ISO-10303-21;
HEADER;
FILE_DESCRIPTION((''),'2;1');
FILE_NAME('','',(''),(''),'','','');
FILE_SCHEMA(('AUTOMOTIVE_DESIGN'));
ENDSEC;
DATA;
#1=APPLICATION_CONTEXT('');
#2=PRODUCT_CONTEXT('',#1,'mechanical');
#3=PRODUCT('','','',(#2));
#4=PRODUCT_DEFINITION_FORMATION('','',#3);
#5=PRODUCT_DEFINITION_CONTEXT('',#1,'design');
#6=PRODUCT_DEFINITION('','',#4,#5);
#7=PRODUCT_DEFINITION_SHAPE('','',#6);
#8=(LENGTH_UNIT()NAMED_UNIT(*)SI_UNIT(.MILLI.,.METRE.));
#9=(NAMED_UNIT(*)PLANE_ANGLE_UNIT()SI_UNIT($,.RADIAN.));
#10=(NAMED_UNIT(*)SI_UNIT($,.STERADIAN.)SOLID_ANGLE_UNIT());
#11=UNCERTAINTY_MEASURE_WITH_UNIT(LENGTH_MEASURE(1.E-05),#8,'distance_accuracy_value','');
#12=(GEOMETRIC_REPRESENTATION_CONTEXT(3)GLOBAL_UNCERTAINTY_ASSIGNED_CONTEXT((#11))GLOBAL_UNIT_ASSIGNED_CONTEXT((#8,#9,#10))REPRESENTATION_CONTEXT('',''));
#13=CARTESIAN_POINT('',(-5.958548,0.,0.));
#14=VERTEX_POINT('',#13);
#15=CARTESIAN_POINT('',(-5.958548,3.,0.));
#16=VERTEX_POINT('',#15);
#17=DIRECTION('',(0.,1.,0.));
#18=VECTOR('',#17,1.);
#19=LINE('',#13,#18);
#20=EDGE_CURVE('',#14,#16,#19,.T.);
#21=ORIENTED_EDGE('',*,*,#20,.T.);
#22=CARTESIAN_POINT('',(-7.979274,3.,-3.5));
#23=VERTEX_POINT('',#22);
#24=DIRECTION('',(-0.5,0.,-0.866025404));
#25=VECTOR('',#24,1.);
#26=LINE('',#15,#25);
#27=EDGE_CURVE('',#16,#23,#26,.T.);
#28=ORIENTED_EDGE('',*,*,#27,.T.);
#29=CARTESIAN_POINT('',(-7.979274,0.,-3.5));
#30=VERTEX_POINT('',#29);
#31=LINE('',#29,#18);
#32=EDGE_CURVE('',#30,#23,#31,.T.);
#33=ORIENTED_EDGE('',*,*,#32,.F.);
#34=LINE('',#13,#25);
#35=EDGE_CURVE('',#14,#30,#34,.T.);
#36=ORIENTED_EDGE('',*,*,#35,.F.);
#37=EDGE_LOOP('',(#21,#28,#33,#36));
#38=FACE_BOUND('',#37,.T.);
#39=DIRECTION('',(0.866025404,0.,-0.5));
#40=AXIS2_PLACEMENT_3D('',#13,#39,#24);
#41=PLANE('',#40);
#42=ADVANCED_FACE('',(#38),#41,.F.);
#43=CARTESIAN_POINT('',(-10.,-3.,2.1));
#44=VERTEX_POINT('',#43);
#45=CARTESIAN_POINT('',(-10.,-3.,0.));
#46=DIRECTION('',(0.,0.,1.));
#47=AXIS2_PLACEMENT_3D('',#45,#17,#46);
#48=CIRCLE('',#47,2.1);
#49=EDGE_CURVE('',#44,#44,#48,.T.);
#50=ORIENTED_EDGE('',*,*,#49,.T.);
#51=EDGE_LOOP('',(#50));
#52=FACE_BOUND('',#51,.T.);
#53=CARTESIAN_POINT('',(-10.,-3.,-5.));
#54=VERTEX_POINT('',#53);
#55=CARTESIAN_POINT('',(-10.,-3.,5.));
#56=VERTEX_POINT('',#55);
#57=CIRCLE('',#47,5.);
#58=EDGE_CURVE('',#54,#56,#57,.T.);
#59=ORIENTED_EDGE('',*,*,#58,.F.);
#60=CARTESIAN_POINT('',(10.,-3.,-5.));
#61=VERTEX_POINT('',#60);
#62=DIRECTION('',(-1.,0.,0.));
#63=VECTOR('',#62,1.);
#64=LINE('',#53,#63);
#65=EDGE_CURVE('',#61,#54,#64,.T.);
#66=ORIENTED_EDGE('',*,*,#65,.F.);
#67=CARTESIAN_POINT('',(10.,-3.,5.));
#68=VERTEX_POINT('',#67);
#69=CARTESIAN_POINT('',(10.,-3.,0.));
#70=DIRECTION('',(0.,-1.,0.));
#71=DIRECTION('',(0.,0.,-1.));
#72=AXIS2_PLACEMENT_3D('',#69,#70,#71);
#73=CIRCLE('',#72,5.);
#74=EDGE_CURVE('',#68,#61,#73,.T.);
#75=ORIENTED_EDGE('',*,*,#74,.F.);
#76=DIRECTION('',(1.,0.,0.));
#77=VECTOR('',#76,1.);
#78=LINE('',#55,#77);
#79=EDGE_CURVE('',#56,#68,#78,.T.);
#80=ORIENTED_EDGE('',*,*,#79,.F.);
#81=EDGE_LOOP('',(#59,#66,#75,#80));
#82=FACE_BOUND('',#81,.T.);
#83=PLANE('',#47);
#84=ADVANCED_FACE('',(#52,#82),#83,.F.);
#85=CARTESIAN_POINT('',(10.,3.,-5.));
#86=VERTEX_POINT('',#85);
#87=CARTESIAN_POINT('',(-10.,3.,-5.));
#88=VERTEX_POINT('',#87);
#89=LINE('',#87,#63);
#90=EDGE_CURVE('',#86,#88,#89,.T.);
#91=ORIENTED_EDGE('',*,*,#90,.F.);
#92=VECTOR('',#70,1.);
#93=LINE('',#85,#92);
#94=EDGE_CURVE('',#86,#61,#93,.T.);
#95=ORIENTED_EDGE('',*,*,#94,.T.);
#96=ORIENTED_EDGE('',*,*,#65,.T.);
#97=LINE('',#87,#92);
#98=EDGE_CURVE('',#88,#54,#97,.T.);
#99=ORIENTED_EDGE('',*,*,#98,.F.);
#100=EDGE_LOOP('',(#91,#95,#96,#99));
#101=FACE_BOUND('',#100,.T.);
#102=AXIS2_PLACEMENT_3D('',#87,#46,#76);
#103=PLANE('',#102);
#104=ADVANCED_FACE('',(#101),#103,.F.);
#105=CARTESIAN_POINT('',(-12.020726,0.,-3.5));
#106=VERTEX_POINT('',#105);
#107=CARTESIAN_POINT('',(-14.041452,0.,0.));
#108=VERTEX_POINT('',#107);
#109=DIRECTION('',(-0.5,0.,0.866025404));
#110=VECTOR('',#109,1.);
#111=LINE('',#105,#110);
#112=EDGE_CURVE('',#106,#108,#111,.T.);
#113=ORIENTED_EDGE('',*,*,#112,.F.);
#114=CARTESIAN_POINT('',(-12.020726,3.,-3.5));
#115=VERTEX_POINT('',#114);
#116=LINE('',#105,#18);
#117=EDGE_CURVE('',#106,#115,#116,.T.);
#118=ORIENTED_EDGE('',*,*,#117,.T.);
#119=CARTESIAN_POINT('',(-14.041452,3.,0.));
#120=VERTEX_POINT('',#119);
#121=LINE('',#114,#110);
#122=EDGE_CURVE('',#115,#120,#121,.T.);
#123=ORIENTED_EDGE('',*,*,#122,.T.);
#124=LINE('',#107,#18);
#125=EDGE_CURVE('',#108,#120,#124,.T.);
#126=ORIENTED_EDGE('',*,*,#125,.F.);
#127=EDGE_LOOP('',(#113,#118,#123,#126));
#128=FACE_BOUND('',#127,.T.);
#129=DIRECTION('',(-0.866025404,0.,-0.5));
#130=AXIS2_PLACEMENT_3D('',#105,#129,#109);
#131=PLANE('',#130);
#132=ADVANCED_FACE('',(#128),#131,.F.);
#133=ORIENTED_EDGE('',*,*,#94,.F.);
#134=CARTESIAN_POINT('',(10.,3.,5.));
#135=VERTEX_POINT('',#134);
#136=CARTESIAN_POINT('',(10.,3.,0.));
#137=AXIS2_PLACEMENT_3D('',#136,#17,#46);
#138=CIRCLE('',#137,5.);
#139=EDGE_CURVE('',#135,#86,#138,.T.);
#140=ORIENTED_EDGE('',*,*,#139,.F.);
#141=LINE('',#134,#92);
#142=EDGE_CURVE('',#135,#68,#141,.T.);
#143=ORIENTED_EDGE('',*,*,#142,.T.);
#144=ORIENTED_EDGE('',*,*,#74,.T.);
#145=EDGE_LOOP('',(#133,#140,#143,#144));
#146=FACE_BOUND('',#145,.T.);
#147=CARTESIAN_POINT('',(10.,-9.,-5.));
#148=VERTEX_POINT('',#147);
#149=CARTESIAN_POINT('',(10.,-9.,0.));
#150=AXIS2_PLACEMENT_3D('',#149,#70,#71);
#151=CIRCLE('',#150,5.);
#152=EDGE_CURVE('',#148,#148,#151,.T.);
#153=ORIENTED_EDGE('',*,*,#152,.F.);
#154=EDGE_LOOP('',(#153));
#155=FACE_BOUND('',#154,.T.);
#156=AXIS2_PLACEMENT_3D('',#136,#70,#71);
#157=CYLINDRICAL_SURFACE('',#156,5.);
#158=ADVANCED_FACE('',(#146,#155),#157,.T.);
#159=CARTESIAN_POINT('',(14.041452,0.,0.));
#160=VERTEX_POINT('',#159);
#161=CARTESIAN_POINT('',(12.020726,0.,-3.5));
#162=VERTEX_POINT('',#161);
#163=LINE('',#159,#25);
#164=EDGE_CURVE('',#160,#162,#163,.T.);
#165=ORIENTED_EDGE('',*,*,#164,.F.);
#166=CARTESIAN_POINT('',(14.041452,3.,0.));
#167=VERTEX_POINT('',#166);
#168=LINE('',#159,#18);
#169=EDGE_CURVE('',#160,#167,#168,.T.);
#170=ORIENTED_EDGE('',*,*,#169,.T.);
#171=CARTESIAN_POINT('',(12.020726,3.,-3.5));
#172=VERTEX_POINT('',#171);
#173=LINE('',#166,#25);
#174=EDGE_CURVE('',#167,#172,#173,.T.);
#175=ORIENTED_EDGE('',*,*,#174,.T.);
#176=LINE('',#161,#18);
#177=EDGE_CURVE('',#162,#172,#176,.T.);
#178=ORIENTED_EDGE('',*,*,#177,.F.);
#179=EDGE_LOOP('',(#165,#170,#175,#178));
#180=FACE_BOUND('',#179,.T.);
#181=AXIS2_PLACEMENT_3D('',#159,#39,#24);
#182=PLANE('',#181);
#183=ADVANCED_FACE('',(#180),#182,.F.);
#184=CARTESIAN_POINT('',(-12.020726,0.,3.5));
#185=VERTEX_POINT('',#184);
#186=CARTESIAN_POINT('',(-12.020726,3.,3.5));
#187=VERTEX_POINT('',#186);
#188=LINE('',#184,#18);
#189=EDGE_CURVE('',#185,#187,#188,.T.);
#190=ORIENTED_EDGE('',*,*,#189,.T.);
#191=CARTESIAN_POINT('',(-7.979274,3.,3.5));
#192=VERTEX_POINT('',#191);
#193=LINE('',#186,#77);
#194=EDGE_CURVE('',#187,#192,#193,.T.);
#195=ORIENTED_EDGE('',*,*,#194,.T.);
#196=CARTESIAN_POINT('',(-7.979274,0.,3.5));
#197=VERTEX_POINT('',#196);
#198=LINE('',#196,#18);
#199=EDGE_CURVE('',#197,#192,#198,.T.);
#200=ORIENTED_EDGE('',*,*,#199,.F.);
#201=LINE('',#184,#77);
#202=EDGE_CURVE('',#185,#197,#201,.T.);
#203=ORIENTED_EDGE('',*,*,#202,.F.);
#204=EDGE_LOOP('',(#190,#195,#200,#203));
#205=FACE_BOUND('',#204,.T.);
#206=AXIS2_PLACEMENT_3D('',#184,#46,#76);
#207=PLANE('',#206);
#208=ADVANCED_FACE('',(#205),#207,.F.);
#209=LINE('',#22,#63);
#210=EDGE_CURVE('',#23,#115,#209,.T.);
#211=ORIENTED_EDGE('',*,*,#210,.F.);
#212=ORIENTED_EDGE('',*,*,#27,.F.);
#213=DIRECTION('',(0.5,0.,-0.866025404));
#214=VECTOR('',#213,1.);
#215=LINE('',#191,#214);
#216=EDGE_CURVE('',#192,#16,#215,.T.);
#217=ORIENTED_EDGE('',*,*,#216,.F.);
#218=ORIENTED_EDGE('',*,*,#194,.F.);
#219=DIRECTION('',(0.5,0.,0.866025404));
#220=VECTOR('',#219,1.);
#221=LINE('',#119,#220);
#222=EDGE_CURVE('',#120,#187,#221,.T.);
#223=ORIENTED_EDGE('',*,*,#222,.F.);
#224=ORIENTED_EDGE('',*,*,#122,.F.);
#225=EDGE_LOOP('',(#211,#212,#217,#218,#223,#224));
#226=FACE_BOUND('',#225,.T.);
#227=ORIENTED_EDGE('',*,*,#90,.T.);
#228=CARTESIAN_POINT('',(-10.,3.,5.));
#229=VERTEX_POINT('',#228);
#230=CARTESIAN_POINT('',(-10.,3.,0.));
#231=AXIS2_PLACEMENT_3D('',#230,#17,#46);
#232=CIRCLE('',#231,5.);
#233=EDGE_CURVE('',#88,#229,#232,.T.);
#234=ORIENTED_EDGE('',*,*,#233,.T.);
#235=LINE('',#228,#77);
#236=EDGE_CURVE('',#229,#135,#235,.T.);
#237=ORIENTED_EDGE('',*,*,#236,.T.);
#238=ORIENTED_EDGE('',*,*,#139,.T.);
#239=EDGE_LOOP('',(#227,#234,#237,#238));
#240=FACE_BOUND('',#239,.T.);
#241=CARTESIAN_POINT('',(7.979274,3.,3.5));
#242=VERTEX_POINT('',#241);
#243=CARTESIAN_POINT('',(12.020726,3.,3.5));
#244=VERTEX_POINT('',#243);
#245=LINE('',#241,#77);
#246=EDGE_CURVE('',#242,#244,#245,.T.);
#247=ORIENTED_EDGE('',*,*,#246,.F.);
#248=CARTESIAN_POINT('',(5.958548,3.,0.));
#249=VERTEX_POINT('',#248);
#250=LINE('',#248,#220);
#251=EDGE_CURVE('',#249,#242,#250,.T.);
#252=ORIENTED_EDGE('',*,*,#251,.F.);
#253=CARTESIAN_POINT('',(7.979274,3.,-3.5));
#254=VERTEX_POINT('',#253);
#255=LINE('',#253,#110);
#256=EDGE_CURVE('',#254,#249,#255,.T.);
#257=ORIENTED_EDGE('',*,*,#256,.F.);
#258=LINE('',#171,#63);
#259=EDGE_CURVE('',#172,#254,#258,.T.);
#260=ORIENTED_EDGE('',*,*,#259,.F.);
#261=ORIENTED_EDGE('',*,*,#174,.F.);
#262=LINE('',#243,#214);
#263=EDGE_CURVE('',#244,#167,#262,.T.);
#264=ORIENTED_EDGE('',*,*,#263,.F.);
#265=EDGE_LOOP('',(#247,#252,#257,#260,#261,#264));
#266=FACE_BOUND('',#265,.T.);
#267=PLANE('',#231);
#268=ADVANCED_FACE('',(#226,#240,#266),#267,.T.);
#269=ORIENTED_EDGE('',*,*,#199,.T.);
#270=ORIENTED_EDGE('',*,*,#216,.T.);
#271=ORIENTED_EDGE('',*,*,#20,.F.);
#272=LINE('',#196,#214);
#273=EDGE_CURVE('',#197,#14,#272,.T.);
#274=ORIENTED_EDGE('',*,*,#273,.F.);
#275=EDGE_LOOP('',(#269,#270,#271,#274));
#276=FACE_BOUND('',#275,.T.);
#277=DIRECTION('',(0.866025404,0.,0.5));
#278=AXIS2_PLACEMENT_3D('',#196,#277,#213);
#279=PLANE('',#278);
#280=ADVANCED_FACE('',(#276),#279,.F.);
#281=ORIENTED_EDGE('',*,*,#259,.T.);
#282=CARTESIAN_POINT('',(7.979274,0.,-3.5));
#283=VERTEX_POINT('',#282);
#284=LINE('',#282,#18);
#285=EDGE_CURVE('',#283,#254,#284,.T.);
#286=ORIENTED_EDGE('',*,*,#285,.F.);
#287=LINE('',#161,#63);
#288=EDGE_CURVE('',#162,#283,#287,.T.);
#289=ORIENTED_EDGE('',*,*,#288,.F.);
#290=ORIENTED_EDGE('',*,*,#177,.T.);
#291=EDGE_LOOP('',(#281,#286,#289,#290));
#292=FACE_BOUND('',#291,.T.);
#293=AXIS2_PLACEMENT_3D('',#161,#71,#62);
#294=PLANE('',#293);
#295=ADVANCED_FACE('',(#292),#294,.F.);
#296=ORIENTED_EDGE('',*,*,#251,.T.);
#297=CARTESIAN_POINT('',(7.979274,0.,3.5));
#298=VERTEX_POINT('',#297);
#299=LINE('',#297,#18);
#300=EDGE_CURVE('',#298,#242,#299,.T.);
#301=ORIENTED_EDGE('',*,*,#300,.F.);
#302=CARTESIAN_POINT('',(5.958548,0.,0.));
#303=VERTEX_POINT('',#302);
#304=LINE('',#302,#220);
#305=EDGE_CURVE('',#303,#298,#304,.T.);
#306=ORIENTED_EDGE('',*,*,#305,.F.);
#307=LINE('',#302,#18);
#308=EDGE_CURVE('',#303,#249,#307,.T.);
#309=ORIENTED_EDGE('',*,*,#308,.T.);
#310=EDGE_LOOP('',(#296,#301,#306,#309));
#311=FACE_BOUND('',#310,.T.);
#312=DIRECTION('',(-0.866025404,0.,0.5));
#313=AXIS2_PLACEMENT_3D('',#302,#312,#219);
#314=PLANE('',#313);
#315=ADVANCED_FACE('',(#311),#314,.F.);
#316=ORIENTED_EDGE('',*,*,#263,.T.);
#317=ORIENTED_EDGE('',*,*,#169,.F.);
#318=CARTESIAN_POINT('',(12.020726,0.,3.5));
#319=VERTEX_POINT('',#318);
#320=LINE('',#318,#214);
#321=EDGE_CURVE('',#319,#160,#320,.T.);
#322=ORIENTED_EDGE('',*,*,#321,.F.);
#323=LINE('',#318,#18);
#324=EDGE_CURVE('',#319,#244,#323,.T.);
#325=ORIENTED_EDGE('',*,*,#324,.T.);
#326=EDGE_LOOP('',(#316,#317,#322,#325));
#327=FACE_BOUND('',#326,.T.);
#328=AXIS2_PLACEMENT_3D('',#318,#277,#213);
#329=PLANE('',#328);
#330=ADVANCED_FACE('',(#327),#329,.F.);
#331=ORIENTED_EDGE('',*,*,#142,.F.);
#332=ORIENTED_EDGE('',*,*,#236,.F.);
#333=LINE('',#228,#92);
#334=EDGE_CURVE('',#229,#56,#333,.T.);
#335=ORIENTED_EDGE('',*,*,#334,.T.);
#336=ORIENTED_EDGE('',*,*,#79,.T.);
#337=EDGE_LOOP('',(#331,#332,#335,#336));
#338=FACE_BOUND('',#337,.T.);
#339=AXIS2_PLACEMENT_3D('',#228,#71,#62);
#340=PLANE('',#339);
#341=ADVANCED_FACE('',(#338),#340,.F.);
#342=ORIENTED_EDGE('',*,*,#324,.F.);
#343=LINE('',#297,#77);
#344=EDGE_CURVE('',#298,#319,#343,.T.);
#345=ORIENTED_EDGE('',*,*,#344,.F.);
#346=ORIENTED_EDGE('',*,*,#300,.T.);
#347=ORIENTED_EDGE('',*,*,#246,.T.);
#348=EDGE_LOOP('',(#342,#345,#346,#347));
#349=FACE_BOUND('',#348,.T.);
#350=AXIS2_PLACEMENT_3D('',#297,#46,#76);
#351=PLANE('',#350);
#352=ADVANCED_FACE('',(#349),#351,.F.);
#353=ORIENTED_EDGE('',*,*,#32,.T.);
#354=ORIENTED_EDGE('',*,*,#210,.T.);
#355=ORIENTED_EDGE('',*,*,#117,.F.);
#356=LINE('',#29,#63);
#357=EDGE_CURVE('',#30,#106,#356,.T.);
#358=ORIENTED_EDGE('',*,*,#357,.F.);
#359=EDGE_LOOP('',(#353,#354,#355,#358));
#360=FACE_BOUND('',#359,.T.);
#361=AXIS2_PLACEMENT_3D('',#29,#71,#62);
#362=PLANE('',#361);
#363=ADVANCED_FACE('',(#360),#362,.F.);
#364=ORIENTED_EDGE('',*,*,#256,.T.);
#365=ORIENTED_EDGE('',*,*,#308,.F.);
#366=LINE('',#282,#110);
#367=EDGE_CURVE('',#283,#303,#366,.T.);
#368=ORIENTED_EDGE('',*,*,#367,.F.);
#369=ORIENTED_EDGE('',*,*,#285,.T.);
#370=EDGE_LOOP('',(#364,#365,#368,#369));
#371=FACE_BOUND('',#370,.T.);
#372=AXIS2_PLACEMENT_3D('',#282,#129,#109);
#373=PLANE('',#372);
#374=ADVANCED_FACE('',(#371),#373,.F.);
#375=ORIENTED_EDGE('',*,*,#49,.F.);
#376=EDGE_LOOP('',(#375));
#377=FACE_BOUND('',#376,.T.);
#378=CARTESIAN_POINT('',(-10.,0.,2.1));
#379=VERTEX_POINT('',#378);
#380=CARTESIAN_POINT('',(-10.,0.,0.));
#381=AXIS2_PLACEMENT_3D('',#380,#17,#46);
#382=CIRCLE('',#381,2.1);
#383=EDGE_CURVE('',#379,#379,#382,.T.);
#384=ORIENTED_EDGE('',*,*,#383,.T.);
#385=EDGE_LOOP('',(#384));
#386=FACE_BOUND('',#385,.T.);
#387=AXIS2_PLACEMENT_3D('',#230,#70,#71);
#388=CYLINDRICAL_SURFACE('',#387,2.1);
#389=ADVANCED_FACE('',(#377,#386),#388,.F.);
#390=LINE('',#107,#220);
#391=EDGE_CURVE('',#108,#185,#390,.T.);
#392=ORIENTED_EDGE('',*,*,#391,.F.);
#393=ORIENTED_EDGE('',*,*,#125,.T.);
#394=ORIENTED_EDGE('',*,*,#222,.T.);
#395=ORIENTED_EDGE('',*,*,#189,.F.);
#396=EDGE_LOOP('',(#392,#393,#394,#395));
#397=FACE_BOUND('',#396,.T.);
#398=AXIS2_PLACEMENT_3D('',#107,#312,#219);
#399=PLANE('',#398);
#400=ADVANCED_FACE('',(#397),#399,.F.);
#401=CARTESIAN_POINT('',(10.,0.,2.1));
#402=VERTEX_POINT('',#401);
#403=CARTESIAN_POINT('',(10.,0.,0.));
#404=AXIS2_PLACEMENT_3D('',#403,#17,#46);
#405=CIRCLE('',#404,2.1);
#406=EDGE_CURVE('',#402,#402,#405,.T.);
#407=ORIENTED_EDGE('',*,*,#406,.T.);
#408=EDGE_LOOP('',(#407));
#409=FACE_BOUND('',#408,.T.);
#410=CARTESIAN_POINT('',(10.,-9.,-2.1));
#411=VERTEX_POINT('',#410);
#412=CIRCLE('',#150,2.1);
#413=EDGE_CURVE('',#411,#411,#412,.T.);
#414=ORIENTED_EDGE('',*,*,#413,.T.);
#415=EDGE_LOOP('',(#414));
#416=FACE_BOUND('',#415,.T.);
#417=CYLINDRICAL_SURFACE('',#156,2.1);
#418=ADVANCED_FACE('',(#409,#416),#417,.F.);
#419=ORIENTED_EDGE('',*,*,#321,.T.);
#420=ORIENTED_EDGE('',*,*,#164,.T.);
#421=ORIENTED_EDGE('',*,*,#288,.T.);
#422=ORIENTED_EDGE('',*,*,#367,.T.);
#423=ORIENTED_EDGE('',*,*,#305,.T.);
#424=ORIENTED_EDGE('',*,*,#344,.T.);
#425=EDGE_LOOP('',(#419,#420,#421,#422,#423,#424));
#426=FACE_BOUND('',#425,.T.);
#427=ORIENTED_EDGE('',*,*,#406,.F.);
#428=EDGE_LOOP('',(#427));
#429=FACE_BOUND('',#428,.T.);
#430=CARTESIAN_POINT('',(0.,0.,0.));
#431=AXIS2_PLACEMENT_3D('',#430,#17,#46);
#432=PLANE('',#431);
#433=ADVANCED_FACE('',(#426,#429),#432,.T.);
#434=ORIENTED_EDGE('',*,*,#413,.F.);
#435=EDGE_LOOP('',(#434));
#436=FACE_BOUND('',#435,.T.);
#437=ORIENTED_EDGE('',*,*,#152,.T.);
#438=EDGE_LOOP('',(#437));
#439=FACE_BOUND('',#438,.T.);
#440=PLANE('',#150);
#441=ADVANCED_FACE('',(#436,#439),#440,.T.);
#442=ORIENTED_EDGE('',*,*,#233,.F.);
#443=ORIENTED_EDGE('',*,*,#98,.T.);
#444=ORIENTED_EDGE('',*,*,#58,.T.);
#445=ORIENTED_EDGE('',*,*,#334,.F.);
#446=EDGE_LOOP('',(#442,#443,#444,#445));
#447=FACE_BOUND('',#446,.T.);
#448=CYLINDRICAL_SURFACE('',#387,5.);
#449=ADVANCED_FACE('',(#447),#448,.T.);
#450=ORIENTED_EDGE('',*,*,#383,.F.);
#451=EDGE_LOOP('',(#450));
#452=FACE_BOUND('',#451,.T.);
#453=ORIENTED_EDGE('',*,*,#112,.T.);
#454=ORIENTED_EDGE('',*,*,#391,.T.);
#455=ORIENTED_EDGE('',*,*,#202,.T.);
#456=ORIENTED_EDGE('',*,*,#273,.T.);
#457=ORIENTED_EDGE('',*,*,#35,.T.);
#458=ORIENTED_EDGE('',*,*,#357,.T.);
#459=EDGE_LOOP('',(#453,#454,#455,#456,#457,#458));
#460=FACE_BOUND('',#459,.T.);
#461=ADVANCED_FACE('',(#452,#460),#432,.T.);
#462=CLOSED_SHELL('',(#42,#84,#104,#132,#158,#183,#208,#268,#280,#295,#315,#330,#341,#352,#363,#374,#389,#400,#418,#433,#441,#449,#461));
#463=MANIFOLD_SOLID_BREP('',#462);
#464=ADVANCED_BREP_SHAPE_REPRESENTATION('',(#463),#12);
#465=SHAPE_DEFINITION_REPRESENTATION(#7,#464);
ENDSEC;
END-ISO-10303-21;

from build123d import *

# Parameters (mm, degrees)
SKETCH1_R           = 2.1
BOSS_EXTRUDE1_DEPTH = 3
CUT_EXTRUDE1_DEPTH  = 3
SKETCH3_R           = 5
SKETCH3_R_2         = 2.1
BOSS_EXTRUDE2_DEPTH = 6


with BuildPart() as part:
    # Sketch1 → Boss-Extrude1 (new, symmetric)
    with BuildSketch(Plane(origin=(0, 0, 0), x_dir=(1, 0, 0), z_dir=(0, 1, 0))):
        with BuildLine():
            Line((-10, 5), (10, 5))
            ThreePointArc((10, 5), (15, 0), (10, -5))
            Line((10, -5), (-10, -5))
            ThreePointArc((-10, -5), (-15, 0), (-10, 5))
        make_face()
        with Locations(Location((10, 0, 0), (0, 0, 270))):
            Circle(SKETCH1_R, mode=Mode.SUBTRACT)
        with Locations(Location((-10, 0, 0), (0, 0, 270))):
            Circle(SKETCH1_R, mode=Mode.SUBTRACT)
    extrude(amount=BOSS_EXTRUDE1_DEPTH, both=True)

    # Sketch2 → Cut-Extrude1 (cut)
    with BuildSketch(Plane(origin=(0, 3, 0), x_dir=(1, 0, 0), z_dir=(0, 1, 0))):
        Polygon((-5.958548116, 0), (-7.979274058, 3.5), (-12.020725942, 3.5), (-14.041451884, 0), (-12.020725942, -3.5), (-7.979274058, -3.5), align=None)
        Polygon((14.041451884, 0), (12.020725942, 3.5), (7.979274058, 3.5), (5.958548116, 0), (7.979274058, -3.5), (12.020725942, -3.5), align=None)
    extrude(amount=-CUT_EXTRUDE1_DEPTH, mode=Mode.SUBTRACT)

    # Sketch3 → Boss-Extrude2 (add)
    with BuildSketch(Plane.XZ.offset(3)):
        with Locations(Location((10, 0, 0), (0, 0, 270))):
            Circle(SKETCH3_R)
        with Locations(Location((10, 0, 0), (0, 0, 270))):
            Circle(SKETCH3_R_2, mode=Mode.SUBTRACT)
    extrude(amount=BOSS_EXTRUDE2_DEPTH)


solid = part.part
